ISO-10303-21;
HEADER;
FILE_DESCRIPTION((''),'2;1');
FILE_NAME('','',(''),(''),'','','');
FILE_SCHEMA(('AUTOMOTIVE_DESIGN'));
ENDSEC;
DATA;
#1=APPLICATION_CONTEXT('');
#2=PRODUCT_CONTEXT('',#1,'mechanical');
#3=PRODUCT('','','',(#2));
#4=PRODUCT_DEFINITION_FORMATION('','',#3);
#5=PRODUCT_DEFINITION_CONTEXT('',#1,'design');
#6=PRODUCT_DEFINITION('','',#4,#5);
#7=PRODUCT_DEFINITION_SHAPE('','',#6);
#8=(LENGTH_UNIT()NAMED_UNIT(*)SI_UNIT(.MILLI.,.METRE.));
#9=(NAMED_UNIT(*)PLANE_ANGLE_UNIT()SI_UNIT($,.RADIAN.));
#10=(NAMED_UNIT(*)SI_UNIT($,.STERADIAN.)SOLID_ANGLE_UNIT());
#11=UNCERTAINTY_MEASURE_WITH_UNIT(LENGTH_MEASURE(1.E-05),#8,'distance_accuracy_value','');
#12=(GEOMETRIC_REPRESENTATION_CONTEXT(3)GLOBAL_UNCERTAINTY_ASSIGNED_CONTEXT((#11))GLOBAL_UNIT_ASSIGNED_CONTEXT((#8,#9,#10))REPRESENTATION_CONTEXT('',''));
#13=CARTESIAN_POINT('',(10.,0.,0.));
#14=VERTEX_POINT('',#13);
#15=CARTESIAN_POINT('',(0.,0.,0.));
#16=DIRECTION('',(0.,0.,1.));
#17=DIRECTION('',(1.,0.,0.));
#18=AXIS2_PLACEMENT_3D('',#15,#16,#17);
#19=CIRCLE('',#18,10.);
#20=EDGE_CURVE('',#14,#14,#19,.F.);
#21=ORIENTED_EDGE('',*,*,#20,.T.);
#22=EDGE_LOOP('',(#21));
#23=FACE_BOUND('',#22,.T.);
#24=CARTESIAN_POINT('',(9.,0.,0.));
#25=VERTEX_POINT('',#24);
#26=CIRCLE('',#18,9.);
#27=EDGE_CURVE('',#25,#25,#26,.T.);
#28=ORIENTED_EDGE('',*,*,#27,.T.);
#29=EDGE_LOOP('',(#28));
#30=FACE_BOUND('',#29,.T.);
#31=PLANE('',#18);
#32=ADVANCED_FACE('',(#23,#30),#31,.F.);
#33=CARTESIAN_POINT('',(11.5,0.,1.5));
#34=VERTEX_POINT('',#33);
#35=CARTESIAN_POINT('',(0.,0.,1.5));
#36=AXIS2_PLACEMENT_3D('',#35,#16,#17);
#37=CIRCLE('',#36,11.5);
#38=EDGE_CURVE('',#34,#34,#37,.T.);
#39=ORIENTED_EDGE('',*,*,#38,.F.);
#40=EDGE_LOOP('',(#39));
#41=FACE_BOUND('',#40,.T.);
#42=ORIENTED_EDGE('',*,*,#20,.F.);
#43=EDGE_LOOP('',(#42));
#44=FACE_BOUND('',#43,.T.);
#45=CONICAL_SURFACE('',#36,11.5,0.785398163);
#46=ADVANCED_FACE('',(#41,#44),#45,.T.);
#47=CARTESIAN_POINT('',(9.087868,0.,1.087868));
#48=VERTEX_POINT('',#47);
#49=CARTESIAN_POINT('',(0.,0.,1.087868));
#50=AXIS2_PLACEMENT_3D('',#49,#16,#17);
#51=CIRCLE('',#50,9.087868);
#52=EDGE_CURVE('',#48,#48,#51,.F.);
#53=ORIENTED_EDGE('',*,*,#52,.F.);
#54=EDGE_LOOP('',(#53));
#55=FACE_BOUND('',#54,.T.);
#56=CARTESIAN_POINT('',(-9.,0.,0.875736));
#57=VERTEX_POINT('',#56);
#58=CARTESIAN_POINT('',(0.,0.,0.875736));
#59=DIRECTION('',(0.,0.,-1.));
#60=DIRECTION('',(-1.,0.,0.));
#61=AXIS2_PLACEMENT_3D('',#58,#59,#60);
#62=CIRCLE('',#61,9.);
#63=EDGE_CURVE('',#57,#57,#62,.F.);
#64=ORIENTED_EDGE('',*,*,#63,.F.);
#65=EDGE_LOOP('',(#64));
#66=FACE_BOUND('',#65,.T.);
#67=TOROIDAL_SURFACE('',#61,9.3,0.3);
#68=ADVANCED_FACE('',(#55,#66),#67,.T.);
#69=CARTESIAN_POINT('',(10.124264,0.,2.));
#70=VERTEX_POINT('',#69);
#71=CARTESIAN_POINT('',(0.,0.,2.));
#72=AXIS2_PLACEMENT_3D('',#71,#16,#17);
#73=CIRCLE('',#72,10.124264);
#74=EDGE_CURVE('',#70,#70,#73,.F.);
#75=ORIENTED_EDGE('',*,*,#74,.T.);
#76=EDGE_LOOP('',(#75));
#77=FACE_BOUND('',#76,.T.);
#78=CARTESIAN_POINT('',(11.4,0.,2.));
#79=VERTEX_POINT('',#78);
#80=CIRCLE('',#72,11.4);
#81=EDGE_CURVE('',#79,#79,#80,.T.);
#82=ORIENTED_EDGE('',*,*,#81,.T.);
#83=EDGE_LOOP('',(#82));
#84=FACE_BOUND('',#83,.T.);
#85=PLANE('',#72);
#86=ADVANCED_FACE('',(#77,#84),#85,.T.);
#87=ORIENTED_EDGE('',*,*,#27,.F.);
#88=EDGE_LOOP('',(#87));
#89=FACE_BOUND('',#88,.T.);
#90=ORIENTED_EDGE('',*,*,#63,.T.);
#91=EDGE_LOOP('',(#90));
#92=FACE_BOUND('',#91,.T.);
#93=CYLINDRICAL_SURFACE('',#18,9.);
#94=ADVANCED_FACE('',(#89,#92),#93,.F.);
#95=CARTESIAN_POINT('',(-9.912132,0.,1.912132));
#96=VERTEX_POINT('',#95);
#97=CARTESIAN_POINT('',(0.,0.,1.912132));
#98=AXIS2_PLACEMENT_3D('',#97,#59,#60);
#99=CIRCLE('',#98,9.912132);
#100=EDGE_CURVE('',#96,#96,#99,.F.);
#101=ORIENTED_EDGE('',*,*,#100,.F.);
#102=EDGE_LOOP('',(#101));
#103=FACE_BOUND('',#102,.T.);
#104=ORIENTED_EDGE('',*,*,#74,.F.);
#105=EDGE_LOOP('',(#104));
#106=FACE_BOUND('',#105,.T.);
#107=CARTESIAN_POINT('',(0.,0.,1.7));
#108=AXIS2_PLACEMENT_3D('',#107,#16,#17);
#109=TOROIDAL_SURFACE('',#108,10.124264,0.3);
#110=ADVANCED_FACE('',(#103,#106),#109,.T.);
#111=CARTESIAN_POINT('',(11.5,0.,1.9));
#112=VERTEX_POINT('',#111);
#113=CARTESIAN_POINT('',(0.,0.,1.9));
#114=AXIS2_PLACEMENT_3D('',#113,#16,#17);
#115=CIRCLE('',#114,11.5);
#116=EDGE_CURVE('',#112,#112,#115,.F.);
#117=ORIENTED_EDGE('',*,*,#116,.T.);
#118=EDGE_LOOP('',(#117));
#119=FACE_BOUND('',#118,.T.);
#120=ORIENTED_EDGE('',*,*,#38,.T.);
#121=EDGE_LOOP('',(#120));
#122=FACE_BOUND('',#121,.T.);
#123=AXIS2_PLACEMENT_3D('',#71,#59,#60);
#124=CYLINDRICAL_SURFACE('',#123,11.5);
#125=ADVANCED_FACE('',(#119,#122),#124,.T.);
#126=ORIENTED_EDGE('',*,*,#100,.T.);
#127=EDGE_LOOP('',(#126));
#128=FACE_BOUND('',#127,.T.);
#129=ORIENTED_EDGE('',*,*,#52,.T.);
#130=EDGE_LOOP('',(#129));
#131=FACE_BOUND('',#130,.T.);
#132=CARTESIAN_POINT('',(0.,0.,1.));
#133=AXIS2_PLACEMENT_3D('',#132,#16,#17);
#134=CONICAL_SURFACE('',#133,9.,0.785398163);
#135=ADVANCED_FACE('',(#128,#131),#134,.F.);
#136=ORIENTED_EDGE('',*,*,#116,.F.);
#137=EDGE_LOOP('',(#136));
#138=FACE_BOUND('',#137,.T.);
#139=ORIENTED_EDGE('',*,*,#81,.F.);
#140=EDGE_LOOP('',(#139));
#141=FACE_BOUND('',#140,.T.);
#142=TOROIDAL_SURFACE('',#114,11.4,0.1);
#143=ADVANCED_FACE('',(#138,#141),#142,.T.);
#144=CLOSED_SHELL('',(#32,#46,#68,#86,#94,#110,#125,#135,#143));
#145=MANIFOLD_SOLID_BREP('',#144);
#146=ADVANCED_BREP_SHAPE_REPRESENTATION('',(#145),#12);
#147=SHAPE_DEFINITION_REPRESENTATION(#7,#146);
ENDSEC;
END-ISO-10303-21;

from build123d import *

# Parameters (mm, degrees)
SKETCH1_R           = 11.5
BOSS_EXTRUDE1_DEPTH = 2
CHAMFER1_SIZE       = 1.5
SKETCH3_R           = 9
CUT_EXTRUDE1_DEPTH  = 2
CHAMFER2_SIZE       = 1
FILLET1_R           = 0.3
FILLET2_R           = 0.1


with BuildPart() as part:
    # Sketch1 → Boss-Extrude1 (new body)
    with BuildSketch(Plane.XY):
        Circle(SKETCH1_R)
    extrude(amount=BOSS_EXTRUDE1_DEPTH)

    # Chamfer1
    chamfer1_edges = [part.edges().sort_by_distance(p)[0] for p in [
        (-11.5, 0, 0),
    ]]
    chamfer(chamfer1_edges, length=CHAMFER1_SIZE)

    # Sketch3 → Cut-Extrude1 (cut)
    with BuildSketch(Plane.XY.offset(2)):
        Circle(SKETCH3_R)
    extrude(amount=-CUT_EXTRUDE1_DEPTH, mode=Mode.SUBTRACT)

    # Chamfer2
    chamfer2_edges = [part.edges().sort_by_distance(p)[0] for p in [
        (-9, 0, 2),
    ]]
    chamfer(chamfer2_edges, length=CHAMFER2_SIZE)

    # Fillet1
    fillet1_edges = [part.edges().sort_by_distance(p)[0] for p in [
        (-9, 0, 1),
        (-10, 0, 2),
    ]]
    fillet(fillet1_edges, radius=FILLET1_R)

    # Fillet2
    fillet2_edges = [part.edges().sort_by_distance(p)[0] for p in [
        (-11.5, 0, 2),
    ]]
    fillet(fillet2_edges, radius=FILLET2_R)


solid = part.part
